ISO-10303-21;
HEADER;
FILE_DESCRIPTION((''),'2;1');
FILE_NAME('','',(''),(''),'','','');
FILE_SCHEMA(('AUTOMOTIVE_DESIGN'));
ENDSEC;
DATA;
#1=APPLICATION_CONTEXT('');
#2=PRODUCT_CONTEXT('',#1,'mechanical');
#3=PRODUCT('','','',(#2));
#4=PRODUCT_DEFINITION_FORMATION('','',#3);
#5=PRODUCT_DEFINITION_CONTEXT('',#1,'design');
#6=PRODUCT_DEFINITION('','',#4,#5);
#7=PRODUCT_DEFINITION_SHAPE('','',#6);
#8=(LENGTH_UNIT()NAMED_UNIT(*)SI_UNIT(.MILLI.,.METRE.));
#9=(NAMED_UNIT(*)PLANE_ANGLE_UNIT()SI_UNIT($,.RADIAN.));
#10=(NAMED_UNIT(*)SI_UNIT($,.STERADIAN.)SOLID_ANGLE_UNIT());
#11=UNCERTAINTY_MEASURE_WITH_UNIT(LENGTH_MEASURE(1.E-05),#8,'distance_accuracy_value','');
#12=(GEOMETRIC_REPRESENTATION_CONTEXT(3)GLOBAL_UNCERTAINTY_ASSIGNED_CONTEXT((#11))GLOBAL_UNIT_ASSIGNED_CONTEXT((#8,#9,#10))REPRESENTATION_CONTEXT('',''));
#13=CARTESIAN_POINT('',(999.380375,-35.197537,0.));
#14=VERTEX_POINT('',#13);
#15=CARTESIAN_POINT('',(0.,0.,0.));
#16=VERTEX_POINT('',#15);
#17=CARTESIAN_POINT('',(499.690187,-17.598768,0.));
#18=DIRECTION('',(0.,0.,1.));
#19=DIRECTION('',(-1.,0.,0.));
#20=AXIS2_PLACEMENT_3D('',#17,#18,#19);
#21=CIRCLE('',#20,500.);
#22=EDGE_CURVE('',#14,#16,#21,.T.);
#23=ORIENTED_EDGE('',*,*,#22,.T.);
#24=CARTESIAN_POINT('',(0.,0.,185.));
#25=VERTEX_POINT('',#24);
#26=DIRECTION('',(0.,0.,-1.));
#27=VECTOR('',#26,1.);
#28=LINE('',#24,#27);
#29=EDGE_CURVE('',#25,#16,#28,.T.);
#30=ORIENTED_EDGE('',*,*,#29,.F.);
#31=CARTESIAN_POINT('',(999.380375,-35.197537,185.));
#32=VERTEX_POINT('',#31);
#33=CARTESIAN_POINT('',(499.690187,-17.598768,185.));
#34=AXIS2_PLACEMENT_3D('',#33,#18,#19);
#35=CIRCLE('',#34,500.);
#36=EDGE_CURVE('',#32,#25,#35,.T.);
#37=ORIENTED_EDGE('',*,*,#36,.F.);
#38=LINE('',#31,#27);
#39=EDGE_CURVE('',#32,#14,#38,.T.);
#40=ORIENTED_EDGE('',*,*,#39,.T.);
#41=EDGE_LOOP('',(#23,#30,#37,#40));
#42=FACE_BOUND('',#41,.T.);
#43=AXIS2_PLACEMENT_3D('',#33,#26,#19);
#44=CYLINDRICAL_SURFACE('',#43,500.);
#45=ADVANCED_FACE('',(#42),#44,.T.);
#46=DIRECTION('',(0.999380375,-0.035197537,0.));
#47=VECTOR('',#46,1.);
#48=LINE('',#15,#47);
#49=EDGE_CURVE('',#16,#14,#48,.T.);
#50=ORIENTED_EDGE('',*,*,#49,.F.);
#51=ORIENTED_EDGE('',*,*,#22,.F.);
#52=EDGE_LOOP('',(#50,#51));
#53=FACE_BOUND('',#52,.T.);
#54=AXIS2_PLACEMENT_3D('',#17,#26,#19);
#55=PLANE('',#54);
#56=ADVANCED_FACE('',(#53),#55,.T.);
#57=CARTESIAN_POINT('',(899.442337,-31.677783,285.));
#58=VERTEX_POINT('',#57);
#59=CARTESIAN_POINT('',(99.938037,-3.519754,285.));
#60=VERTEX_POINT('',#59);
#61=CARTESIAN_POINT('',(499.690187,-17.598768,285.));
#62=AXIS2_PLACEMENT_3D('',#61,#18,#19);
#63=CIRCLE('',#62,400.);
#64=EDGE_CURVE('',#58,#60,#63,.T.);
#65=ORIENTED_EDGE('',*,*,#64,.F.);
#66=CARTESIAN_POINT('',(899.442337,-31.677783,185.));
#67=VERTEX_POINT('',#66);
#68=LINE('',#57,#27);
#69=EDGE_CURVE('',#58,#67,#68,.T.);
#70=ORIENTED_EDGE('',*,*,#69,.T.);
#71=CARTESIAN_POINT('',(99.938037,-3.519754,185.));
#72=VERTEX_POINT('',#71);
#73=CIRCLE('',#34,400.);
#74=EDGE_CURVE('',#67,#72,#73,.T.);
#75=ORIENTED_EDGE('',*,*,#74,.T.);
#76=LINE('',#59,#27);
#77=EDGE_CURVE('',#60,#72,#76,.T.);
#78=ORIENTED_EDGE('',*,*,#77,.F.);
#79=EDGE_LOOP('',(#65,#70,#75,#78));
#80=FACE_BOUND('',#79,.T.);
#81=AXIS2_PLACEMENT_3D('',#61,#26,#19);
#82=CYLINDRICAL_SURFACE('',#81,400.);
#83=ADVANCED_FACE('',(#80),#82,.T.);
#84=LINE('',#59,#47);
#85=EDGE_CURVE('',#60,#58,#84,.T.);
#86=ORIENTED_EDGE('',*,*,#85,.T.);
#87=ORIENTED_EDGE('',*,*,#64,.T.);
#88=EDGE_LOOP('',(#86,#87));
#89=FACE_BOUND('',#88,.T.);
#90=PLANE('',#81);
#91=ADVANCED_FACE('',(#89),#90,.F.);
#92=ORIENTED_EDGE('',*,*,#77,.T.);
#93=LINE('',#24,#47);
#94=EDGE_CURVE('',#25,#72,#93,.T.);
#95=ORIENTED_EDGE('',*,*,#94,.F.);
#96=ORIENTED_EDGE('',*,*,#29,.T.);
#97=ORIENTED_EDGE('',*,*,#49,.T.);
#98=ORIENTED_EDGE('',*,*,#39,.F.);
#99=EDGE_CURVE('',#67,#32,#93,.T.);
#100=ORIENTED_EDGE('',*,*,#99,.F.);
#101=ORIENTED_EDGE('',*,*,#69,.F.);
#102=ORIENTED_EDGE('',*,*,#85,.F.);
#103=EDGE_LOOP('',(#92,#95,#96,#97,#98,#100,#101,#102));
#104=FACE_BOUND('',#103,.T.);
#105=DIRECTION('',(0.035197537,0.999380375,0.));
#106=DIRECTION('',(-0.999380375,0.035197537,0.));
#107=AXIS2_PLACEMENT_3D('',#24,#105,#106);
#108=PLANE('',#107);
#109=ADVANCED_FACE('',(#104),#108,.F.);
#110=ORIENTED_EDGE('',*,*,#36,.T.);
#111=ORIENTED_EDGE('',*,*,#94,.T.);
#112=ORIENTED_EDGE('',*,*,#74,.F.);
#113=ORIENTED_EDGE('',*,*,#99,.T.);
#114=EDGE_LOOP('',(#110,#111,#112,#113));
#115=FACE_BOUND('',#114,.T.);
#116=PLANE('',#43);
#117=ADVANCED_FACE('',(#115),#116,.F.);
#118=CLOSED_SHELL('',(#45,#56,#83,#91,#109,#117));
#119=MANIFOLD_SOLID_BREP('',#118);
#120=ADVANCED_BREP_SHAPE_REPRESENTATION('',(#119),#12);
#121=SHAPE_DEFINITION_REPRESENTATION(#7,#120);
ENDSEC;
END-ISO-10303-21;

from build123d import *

# Parameters (mm, degrees)
BOSS_EXTRU_1_DEPTH = 185
BOSS_EXTRU_2_DEPTH = 100


with BuildPart() as part:
    # Esquisse1 → Boss.-Extru.1 (new body)
    with BuildSketch(Plane.XY):
        with BuildLine():
            Line((0, 0), (999.380374741, -35.197536598))
            ThreePointArc((999.380374741, -35.197536598), (517.288955669, 482.091419072), (0, 0))
        make_face()
    extrude(amount=BOSS_EXTRU_1_DEPTH)

    # Esquisse3 → Boss.-Extru.2 (add)
    with BuildSketch(Plane.XY.offset(185)):
        with BuildLine():
            Line((99.938037474, -3.51975366), (899.442337267, -31.677782938))
            ThreePointArc((899.442337267, -31.677782938), (513.76920201, 382.153381597), (99.938037474, -3.51975366))
        make_face()
    extrude(amount=BOSS_EXTRU_2_DEPTH)


solid = part.part
